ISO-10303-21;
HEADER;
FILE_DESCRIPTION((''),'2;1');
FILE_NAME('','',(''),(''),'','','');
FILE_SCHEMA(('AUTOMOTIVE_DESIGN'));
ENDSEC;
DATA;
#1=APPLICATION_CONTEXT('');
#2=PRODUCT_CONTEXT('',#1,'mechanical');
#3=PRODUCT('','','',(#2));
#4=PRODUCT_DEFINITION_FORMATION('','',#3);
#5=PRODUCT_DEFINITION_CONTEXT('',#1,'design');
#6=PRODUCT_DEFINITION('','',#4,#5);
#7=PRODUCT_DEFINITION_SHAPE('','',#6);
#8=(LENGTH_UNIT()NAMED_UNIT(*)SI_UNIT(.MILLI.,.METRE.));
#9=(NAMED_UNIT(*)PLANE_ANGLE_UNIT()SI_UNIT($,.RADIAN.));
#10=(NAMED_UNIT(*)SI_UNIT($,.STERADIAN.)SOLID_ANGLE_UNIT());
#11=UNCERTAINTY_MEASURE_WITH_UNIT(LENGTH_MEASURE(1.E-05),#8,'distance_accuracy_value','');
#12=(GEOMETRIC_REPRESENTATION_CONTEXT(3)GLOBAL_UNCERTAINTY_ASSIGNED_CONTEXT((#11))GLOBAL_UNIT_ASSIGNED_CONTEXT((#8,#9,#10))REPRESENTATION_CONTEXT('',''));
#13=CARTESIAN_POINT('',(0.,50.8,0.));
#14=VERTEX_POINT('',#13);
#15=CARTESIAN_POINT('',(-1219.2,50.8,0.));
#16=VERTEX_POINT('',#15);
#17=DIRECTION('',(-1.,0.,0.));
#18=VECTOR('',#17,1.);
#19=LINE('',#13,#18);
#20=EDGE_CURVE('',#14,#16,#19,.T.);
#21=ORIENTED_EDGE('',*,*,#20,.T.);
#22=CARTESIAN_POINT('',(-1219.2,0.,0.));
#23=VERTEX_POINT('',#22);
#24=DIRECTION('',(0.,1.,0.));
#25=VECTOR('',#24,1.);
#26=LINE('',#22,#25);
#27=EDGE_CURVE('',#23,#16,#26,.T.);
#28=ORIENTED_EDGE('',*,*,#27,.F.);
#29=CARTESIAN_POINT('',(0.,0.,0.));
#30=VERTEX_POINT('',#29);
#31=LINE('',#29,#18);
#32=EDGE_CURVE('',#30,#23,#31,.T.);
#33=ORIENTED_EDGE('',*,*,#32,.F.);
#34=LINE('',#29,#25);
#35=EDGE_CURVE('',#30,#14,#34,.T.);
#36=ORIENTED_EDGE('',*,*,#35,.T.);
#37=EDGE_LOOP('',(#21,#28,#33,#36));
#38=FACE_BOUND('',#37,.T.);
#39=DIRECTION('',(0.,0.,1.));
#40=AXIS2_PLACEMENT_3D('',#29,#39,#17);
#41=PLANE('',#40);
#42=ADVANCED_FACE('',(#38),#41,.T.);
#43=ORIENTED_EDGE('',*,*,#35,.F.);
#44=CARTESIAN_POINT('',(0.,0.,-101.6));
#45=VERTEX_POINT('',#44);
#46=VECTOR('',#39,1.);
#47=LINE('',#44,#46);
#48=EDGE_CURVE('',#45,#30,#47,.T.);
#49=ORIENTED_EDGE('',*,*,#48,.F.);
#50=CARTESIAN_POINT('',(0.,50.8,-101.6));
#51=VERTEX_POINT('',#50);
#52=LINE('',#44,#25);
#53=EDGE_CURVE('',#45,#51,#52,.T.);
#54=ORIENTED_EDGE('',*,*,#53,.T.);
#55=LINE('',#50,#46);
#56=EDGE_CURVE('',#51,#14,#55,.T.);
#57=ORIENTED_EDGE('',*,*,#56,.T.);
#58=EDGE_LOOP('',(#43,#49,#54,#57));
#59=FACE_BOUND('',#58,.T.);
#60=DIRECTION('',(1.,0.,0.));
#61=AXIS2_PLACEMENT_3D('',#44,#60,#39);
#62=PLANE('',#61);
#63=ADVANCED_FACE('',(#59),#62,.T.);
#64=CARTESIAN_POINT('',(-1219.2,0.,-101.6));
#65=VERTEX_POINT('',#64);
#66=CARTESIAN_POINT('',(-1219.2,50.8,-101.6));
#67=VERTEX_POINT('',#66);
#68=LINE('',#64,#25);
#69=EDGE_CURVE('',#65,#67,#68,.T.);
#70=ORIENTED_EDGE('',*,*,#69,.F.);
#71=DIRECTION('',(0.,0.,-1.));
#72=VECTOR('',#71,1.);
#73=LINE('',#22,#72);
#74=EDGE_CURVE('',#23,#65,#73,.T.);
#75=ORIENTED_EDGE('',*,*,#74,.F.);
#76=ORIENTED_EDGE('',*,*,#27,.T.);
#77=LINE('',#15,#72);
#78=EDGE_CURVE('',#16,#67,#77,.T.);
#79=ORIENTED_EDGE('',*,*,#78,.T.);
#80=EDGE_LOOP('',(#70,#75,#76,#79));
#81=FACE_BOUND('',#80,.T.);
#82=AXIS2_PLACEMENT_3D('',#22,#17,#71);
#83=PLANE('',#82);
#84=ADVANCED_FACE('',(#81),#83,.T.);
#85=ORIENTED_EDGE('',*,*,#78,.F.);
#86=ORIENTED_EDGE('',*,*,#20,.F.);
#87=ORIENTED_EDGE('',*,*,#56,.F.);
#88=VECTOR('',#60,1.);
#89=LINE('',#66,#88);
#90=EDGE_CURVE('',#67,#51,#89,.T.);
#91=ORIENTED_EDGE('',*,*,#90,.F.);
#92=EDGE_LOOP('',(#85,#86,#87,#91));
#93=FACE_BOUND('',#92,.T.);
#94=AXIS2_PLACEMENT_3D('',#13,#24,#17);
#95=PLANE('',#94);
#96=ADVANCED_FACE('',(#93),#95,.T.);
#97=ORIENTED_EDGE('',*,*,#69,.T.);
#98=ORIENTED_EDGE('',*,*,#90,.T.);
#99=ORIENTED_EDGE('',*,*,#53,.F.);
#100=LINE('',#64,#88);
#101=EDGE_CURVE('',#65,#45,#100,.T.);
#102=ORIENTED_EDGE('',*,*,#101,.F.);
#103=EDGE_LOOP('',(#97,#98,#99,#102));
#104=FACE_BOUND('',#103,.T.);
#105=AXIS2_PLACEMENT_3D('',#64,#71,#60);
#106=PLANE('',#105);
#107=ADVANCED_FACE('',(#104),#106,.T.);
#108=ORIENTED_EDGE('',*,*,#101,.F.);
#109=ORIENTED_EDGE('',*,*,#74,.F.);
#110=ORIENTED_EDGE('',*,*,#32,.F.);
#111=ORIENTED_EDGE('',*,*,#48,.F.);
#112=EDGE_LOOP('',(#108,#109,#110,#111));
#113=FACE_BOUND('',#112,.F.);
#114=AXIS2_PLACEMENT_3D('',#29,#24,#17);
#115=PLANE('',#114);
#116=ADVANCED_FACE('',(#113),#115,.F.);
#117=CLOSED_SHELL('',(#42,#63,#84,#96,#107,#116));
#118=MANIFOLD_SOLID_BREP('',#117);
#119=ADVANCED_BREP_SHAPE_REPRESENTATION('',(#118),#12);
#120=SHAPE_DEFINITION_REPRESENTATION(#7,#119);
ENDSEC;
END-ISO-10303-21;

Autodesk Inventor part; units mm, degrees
ref_plane "YZ Plane" through (0, 0, 0) normal (1, 0, 0) x (0, 1, 0)
ref_plane "XZ Plane" through (0, 0, 0) normal (0, 1, 0) x (-1, 0, 0)
ref_plane "XY Plane" through (0, 0, 0) normal (0, 0, 1) x (1, 0, 0)
sketch "Sketch1" plane through (0, 0, 0) normal (0, 1, 0) x (-1, 0, 0)
  line L0 (0, 0) -> (1219.2, 0)
  line L1 (1219.2, 0) -> (1219.2, -101.6)
  line L2 (1219.2, -101.6) -> (0, -101.6)
  line L3 (0, -101.6) -> (0, 0)
  dimension "d0" = 1219.2
  dimension "d1" = 101.6
extrude "Extrusion1" add sketch "Sketch1" along normal blind 50.8
properties part number "2x4x48"
